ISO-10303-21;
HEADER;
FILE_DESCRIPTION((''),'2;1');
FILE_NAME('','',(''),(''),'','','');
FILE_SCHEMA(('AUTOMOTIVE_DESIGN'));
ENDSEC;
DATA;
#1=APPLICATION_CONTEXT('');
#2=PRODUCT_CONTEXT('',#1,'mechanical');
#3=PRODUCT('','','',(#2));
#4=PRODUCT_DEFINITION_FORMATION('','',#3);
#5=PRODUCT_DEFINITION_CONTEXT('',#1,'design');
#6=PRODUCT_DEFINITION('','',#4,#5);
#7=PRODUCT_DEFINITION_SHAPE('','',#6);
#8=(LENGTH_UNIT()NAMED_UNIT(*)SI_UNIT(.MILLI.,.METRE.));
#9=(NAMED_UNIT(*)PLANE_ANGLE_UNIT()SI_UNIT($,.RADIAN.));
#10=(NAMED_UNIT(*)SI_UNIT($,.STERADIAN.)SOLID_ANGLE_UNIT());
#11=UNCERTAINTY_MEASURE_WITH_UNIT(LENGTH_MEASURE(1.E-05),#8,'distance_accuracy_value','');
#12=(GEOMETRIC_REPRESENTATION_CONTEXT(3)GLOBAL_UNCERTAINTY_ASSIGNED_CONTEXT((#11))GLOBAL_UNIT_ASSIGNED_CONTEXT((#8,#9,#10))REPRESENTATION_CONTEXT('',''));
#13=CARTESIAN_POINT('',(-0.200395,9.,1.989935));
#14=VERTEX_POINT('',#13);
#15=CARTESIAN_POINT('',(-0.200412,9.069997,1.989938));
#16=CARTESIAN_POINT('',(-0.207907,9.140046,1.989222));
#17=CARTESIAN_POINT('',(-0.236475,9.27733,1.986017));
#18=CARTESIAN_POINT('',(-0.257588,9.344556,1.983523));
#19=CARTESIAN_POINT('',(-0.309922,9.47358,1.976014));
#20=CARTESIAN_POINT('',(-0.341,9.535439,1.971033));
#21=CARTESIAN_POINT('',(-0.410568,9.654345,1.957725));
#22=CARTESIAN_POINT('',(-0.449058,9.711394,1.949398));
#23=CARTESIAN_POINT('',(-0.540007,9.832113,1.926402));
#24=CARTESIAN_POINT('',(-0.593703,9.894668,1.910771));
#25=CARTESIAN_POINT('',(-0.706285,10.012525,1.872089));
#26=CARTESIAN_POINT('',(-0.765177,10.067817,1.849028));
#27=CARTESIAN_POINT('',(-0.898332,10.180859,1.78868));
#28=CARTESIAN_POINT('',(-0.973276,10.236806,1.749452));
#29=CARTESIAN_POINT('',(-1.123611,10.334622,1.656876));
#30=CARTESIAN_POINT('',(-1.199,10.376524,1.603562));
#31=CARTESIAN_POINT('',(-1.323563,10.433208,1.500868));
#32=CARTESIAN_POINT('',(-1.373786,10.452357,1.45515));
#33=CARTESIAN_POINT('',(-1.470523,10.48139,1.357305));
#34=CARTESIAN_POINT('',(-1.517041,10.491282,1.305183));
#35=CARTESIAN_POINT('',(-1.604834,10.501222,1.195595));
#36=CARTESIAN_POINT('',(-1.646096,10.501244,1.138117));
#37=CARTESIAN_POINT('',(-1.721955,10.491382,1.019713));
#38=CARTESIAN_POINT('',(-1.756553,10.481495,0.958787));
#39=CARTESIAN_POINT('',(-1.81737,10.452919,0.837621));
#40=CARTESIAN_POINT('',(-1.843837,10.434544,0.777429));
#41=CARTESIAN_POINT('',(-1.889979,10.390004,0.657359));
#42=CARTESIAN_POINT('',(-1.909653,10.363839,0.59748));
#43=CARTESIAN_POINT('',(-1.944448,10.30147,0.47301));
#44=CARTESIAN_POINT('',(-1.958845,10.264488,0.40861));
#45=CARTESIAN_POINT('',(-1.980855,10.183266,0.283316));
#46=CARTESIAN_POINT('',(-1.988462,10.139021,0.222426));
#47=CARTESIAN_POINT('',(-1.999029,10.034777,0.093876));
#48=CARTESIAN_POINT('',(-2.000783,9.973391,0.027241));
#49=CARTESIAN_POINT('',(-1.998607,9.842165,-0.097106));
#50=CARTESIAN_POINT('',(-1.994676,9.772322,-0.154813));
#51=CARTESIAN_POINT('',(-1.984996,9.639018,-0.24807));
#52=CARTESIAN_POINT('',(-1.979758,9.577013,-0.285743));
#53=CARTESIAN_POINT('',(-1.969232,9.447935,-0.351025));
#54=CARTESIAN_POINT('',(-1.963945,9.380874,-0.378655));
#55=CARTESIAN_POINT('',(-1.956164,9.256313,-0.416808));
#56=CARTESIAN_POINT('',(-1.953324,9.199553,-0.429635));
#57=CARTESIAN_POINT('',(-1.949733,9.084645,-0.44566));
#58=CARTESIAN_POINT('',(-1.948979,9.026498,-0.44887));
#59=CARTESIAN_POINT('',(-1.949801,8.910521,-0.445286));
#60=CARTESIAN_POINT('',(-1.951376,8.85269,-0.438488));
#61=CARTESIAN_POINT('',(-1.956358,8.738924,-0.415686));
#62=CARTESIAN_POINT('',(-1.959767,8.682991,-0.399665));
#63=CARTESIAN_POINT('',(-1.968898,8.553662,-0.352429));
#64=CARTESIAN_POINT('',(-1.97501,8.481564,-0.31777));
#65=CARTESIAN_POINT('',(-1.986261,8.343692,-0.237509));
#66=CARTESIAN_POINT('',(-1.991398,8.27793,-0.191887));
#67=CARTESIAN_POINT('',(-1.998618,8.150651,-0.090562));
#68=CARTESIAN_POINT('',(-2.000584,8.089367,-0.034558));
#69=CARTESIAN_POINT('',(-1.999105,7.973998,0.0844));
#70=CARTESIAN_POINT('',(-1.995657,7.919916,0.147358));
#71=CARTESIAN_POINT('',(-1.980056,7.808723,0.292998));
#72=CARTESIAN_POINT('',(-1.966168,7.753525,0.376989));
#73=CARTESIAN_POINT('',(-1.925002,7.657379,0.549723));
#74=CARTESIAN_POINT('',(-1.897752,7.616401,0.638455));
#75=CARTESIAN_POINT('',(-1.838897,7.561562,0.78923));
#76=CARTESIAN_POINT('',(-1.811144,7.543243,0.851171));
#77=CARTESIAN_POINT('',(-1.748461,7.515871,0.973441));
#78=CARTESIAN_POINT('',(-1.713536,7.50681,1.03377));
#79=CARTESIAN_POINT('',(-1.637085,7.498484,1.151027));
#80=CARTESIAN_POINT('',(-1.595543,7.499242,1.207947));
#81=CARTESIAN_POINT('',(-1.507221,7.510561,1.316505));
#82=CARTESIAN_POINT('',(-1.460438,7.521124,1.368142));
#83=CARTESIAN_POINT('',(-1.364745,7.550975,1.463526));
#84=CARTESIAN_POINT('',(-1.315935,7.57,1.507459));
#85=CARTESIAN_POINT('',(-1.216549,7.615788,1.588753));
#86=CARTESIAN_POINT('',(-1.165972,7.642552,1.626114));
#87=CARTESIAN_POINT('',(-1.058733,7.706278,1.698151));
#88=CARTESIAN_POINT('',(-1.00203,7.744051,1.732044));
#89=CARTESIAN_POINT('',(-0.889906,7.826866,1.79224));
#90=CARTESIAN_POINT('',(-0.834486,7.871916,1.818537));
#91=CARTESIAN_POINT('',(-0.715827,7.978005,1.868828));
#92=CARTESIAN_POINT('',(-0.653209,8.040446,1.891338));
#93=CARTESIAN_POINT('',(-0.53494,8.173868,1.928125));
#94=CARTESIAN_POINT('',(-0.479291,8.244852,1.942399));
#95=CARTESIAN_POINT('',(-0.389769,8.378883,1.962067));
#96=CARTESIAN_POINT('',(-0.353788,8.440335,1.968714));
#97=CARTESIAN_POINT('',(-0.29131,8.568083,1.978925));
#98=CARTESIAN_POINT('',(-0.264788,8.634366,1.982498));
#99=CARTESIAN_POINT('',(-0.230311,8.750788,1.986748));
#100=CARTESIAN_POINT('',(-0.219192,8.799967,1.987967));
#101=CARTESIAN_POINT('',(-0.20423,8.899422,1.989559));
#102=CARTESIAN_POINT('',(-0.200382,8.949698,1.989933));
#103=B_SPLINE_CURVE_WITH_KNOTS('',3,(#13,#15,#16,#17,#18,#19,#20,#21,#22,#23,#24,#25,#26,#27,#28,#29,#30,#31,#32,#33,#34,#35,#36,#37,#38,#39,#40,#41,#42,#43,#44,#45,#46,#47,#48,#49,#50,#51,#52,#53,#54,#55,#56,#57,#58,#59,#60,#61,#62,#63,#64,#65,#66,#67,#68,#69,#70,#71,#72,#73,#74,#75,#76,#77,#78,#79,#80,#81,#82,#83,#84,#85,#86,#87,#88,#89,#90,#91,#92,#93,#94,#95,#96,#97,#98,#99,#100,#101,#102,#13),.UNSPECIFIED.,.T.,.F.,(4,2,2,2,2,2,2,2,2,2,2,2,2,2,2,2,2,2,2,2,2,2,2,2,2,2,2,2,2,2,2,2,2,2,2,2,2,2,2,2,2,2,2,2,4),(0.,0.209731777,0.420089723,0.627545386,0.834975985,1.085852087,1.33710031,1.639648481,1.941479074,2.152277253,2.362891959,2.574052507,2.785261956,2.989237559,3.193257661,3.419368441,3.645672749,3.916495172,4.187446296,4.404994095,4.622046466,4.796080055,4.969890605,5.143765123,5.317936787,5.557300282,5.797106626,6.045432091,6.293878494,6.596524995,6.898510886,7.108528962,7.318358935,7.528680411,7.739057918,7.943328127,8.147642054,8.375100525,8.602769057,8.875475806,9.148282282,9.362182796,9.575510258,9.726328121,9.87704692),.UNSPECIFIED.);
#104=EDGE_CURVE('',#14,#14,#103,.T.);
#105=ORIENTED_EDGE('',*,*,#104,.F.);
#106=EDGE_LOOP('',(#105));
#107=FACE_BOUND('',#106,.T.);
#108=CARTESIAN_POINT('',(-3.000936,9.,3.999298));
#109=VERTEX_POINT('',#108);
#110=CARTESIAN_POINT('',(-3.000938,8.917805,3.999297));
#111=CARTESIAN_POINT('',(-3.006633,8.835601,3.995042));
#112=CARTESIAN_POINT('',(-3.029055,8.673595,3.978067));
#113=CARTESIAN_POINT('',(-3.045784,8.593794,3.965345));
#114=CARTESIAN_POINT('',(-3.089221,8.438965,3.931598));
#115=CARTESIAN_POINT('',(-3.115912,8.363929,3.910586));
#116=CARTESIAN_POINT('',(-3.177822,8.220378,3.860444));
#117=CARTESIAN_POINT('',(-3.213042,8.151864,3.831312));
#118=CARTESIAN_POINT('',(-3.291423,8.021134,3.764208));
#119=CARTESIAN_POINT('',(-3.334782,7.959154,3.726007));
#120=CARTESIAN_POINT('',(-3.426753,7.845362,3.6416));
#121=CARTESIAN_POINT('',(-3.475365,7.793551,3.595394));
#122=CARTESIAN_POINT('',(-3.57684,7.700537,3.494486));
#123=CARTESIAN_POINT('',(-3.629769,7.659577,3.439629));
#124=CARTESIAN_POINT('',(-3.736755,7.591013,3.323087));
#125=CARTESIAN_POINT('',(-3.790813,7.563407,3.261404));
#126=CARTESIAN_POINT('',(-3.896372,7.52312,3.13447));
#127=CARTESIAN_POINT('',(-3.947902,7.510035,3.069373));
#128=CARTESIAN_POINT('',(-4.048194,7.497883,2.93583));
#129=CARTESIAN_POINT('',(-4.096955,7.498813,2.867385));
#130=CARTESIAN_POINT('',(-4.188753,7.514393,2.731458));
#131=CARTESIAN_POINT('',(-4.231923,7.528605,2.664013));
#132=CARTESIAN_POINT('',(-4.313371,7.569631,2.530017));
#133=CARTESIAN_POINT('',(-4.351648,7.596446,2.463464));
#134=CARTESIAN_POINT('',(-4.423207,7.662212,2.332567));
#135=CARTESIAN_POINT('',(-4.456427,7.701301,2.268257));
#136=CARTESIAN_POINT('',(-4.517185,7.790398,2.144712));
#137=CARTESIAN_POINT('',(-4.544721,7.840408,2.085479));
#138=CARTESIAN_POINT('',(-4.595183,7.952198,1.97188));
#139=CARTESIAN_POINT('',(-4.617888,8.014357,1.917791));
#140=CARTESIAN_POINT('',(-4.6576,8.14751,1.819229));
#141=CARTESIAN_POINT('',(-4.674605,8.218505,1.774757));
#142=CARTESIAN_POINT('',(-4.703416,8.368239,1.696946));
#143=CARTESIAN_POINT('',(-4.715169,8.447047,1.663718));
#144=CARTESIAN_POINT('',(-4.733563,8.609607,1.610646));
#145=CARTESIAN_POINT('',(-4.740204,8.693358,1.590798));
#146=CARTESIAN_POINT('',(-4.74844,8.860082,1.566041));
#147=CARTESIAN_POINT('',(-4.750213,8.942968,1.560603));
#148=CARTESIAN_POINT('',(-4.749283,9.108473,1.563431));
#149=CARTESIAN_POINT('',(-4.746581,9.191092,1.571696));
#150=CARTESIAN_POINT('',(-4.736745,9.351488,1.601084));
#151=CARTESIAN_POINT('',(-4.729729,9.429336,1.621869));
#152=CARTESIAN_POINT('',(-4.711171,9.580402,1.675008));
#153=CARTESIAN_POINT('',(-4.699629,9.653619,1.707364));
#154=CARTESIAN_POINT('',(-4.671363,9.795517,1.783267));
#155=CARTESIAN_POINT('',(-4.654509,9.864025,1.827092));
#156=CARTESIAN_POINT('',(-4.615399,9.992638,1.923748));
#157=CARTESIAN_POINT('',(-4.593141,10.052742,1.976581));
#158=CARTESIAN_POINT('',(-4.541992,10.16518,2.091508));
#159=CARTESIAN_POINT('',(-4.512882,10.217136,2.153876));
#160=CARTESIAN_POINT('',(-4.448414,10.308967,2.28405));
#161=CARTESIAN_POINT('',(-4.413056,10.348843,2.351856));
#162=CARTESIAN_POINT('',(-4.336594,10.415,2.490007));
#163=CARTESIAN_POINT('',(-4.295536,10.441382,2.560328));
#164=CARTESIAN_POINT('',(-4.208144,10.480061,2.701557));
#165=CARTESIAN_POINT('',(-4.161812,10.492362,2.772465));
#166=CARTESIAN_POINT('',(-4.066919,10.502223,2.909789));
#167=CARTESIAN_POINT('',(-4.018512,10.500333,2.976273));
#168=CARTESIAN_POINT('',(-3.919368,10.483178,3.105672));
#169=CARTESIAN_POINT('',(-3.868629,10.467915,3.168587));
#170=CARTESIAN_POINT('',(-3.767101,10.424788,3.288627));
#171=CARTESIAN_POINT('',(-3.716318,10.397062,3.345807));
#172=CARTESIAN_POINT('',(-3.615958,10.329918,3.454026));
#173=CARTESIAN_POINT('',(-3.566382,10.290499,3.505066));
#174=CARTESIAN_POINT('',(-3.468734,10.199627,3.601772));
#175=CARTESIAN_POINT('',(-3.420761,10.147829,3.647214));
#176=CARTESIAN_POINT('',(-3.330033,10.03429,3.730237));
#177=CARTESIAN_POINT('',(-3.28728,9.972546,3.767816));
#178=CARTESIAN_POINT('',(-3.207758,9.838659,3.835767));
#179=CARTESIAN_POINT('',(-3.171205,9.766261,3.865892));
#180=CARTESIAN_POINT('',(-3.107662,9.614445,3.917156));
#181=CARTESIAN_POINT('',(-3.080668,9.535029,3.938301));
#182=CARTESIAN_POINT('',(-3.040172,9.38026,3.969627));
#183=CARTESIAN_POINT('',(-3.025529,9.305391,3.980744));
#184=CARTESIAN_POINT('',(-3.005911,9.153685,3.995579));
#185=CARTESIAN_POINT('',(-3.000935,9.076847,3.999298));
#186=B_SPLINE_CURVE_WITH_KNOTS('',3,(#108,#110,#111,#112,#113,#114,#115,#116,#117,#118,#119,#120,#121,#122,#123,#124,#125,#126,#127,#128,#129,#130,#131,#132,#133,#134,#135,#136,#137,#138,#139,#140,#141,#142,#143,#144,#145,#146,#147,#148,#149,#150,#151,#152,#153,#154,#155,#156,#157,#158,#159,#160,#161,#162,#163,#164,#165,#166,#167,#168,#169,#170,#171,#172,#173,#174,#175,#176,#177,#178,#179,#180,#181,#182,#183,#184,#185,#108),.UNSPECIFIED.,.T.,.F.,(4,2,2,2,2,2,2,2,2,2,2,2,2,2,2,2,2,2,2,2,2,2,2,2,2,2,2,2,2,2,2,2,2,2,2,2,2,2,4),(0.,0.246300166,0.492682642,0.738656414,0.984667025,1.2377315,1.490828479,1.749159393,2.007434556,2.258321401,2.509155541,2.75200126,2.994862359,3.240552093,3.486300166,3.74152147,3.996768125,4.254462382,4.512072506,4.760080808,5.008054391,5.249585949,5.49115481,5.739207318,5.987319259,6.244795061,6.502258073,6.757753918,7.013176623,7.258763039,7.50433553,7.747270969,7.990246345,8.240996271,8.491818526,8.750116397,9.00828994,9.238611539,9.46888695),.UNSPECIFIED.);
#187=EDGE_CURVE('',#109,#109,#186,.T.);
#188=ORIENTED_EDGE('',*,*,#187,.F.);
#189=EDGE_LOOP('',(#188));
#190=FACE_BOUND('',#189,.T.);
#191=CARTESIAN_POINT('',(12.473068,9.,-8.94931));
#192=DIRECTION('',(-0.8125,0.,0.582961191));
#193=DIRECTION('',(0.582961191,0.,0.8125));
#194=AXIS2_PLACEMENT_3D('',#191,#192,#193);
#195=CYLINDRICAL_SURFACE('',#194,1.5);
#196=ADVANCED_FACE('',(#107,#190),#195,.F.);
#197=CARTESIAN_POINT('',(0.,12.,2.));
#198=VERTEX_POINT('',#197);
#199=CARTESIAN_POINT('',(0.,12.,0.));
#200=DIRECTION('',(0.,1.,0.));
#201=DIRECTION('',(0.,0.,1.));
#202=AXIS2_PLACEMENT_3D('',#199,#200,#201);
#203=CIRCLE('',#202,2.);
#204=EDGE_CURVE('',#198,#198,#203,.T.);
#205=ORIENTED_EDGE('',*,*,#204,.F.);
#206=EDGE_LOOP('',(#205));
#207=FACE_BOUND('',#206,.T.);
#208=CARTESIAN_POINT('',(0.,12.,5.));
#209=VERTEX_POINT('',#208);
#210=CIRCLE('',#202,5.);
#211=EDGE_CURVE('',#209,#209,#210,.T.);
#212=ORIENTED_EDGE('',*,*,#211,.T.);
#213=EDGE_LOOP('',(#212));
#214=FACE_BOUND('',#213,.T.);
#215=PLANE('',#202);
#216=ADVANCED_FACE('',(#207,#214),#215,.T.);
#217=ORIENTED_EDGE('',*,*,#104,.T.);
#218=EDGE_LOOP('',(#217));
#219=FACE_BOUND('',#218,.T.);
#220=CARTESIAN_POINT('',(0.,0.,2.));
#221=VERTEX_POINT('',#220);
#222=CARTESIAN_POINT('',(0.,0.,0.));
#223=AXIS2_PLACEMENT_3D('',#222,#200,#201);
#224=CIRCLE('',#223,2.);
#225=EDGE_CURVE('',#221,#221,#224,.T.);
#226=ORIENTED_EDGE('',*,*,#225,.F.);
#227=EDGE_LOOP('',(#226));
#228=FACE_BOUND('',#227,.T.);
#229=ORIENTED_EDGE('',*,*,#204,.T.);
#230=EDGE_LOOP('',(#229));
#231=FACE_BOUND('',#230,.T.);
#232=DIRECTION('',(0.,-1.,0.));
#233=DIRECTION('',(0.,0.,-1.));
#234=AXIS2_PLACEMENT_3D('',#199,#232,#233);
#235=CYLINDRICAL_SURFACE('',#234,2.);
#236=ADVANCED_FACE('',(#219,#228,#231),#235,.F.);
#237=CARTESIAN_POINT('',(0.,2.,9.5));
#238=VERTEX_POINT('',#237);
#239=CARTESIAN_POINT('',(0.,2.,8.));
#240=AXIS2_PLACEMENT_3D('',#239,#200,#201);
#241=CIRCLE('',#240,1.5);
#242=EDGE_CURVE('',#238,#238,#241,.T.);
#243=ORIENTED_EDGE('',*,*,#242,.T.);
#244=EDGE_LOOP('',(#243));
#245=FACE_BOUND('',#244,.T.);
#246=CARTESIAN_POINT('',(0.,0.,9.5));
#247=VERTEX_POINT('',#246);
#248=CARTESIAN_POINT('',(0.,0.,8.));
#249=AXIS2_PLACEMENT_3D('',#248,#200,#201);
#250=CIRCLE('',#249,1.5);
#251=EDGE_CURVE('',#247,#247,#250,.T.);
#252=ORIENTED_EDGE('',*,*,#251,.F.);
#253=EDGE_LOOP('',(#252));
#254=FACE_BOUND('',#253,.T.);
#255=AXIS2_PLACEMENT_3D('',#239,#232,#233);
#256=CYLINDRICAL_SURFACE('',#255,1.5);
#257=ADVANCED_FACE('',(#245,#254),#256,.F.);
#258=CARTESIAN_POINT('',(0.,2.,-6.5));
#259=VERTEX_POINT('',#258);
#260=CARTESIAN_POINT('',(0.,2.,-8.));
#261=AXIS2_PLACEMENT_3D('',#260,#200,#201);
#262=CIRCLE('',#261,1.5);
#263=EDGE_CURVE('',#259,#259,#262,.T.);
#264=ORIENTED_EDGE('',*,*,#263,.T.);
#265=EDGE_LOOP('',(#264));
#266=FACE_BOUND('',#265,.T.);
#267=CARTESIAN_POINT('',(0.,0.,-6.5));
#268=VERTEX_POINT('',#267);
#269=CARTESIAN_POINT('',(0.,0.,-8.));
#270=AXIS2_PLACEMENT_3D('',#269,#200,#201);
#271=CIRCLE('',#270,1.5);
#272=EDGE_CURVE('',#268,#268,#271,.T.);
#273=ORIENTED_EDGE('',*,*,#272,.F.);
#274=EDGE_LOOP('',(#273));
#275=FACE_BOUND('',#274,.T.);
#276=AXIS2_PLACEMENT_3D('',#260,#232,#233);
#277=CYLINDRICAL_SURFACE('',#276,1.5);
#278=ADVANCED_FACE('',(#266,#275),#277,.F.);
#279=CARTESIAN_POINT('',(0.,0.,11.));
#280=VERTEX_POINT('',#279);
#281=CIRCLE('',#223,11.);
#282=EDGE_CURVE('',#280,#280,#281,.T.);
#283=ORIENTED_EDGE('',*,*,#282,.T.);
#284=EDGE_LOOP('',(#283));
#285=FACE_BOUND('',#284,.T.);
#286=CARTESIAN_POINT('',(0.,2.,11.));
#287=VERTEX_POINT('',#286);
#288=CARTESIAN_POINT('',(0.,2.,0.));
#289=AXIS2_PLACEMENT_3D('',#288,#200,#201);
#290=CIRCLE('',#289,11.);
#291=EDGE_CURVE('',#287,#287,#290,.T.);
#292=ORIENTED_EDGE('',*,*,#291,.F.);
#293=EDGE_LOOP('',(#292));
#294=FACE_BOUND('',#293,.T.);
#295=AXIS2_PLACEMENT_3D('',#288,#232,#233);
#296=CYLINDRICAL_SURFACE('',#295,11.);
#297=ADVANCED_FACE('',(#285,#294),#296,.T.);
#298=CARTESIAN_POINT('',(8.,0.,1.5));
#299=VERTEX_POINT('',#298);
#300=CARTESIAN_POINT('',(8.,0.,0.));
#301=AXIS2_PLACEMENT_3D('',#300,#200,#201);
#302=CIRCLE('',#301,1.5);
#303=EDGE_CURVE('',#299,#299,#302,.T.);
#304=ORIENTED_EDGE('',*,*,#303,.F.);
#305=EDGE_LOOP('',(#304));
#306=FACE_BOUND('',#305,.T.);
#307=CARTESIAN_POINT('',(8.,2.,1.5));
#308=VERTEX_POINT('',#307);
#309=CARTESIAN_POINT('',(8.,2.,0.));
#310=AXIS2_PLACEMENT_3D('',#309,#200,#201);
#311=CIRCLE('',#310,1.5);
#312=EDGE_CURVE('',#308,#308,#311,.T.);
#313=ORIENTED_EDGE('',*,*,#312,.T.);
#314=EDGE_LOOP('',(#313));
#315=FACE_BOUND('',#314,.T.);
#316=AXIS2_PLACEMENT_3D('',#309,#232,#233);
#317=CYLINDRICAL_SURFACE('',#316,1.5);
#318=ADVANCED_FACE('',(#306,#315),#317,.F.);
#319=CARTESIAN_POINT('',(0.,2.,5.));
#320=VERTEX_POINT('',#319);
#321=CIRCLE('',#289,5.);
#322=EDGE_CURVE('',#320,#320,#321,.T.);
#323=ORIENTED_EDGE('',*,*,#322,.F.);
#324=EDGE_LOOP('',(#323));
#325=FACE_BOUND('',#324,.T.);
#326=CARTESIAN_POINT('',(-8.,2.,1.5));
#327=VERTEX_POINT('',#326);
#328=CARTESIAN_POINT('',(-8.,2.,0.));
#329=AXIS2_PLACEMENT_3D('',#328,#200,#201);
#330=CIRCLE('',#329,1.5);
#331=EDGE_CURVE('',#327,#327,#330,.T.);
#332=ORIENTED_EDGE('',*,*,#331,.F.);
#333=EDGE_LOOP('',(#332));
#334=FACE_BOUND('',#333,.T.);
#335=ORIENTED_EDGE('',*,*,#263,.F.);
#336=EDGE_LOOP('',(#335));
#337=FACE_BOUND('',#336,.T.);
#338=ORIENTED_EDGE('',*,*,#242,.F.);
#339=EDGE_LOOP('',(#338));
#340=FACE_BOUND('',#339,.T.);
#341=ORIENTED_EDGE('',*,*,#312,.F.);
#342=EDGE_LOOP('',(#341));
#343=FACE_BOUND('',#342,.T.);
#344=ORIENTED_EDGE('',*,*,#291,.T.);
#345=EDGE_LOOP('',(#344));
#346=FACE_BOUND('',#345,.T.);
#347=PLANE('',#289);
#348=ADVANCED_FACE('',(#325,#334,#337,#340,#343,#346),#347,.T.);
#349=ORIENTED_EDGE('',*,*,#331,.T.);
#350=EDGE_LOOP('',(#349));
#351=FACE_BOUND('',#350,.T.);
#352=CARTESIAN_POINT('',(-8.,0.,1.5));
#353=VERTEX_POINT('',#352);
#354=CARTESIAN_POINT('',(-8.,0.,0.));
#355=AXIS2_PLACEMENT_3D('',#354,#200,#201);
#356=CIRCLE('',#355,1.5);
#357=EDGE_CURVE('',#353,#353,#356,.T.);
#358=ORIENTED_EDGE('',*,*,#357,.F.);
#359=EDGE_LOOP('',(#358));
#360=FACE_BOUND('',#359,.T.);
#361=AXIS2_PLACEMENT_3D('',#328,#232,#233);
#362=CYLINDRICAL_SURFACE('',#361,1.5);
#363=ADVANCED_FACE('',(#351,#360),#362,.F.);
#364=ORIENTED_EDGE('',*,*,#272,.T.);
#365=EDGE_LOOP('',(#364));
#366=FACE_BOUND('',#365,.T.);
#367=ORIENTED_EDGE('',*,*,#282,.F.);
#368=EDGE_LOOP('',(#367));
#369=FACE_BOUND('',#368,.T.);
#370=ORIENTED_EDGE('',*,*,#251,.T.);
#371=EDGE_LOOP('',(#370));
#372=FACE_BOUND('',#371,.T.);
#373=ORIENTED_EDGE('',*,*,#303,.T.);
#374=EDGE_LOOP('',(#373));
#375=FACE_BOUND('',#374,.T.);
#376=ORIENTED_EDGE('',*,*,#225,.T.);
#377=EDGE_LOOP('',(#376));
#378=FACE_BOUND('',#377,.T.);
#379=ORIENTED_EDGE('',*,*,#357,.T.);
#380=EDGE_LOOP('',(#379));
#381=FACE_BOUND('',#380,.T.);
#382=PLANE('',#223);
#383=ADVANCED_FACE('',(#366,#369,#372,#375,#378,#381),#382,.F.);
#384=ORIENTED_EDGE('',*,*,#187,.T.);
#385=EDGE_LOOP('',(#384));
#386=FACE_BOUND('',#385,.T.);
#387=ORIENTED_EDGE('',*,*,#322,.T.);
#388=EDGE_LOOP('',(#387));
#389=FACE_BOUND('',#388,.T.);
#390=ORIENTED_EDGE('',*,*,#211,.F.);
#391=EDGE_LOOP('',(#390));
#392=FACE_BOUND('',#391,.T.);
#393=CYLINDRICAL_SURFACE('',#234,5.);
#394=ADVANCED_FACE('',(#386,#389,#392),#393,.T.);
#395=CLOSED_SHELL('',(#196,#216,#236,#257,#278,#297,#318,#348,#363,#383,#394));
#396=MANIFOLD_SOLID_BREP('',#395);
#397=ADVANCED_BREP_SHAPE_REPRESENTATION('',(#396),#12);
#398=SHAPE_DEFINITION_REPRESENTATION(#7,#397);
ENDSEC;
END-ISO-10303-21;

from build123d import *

# Parameters (mm, degrees)
SKETCH1_R               = 11
SKETCH1_R_2             = 1.5
SKETCH1_R_3             = 5
BOSS_EXTRUDE1_DEPTH     = 2
SKETCH1_3_R             = 5
SKETCH1_3_R_2           = 2
BOSS_EXTRUDE2_DEPTH     = 12
CUT_EXTRUDE1_REACH      = 25.759
CUT_EXTRUDE1_END_RADIUS = 2
SKETCH2_R               = 1.5


with BuildPart() as part:
    # Sketch1 → Boss-Extrude1 (new body)
    with BuildSketch(Plane(origin=(0, 0, 0), x_dir=(1, 0, 0), z_dir=(0, 1, 0))):
        Circle(SKETCH1_R)
        with Locations((-8, 0)):
            Circle(SKETCH1_R_2, mode=Mode.SUBTRACT)
        with Locations((0, -8)):
            Circle(SKETCH1_R_2, mode=Mode.SUBTRACT)
        Circle(SKETCH1_R_3, mode=Mode.SUBTRACT)
        with Locations((8, 0)):
            Circle(SKETCH1_R_2, mode=Mode.SUBTRACT)
        with Locations((0, 8)):
            Circle(SKETCH1_R_2, mode=Mode.SUBTRACT)
    extrude(amount=BOSS_EXTRUDE1_DEPTH)

    # Sketch1<3> → Boss-Extrude2 (add)
    with BuildSketch(Plane(origin=(0, 0, 0), x_dir=(1, 0, 0), z_dir=(0, 1, 0))):
        Circle(SKETCH1_3_R)
        Circle(SKETCH1_3_R_2, mode=Mode.SUBTRACT)
    extrude(amount=BOSS_EXTRUDE2_DEPTH)

    # Cut-Extrude1: up to this cylinder (the profile starts outside it)
    cut_extrude1_end = Plane(origin=(0, 9, 0), z_dir=(0, -1, 0)) * Cylinder(CUT_EXTRUDE1_END_RADIUS, 56.518, mode=Mode.PRIVATE)
    # Sketch2 → Cut-Extrude1 (cut, up to the surface)
    with BuildSketch(Plane(origin=(-4.0625, 0, 2.914805954), x_dir=(0.582961190817979, 0, 0.8125000000000517), z_dir=(-0.8125000000000517, 0, 0.582961190817979)), mode=Mode.PRIVATE) as cut_extrude1_sk1:
        with Locations((0, 9)):
            Circle(SKETCH2_R)
    cut_extrude1_tool1 = extrude(cut_extrude1_sk1.sketch, amount=-CUT_EXTRUDE1_REACH, mode=Mode.PRIVATE) - cut_extrude1_end
    add(cut_extrude1_tool1.solids().sort_by_distance((-4.0625, 9, 2.914806))[0], mode=Mode.SUBTRACT)


solid = part.part
